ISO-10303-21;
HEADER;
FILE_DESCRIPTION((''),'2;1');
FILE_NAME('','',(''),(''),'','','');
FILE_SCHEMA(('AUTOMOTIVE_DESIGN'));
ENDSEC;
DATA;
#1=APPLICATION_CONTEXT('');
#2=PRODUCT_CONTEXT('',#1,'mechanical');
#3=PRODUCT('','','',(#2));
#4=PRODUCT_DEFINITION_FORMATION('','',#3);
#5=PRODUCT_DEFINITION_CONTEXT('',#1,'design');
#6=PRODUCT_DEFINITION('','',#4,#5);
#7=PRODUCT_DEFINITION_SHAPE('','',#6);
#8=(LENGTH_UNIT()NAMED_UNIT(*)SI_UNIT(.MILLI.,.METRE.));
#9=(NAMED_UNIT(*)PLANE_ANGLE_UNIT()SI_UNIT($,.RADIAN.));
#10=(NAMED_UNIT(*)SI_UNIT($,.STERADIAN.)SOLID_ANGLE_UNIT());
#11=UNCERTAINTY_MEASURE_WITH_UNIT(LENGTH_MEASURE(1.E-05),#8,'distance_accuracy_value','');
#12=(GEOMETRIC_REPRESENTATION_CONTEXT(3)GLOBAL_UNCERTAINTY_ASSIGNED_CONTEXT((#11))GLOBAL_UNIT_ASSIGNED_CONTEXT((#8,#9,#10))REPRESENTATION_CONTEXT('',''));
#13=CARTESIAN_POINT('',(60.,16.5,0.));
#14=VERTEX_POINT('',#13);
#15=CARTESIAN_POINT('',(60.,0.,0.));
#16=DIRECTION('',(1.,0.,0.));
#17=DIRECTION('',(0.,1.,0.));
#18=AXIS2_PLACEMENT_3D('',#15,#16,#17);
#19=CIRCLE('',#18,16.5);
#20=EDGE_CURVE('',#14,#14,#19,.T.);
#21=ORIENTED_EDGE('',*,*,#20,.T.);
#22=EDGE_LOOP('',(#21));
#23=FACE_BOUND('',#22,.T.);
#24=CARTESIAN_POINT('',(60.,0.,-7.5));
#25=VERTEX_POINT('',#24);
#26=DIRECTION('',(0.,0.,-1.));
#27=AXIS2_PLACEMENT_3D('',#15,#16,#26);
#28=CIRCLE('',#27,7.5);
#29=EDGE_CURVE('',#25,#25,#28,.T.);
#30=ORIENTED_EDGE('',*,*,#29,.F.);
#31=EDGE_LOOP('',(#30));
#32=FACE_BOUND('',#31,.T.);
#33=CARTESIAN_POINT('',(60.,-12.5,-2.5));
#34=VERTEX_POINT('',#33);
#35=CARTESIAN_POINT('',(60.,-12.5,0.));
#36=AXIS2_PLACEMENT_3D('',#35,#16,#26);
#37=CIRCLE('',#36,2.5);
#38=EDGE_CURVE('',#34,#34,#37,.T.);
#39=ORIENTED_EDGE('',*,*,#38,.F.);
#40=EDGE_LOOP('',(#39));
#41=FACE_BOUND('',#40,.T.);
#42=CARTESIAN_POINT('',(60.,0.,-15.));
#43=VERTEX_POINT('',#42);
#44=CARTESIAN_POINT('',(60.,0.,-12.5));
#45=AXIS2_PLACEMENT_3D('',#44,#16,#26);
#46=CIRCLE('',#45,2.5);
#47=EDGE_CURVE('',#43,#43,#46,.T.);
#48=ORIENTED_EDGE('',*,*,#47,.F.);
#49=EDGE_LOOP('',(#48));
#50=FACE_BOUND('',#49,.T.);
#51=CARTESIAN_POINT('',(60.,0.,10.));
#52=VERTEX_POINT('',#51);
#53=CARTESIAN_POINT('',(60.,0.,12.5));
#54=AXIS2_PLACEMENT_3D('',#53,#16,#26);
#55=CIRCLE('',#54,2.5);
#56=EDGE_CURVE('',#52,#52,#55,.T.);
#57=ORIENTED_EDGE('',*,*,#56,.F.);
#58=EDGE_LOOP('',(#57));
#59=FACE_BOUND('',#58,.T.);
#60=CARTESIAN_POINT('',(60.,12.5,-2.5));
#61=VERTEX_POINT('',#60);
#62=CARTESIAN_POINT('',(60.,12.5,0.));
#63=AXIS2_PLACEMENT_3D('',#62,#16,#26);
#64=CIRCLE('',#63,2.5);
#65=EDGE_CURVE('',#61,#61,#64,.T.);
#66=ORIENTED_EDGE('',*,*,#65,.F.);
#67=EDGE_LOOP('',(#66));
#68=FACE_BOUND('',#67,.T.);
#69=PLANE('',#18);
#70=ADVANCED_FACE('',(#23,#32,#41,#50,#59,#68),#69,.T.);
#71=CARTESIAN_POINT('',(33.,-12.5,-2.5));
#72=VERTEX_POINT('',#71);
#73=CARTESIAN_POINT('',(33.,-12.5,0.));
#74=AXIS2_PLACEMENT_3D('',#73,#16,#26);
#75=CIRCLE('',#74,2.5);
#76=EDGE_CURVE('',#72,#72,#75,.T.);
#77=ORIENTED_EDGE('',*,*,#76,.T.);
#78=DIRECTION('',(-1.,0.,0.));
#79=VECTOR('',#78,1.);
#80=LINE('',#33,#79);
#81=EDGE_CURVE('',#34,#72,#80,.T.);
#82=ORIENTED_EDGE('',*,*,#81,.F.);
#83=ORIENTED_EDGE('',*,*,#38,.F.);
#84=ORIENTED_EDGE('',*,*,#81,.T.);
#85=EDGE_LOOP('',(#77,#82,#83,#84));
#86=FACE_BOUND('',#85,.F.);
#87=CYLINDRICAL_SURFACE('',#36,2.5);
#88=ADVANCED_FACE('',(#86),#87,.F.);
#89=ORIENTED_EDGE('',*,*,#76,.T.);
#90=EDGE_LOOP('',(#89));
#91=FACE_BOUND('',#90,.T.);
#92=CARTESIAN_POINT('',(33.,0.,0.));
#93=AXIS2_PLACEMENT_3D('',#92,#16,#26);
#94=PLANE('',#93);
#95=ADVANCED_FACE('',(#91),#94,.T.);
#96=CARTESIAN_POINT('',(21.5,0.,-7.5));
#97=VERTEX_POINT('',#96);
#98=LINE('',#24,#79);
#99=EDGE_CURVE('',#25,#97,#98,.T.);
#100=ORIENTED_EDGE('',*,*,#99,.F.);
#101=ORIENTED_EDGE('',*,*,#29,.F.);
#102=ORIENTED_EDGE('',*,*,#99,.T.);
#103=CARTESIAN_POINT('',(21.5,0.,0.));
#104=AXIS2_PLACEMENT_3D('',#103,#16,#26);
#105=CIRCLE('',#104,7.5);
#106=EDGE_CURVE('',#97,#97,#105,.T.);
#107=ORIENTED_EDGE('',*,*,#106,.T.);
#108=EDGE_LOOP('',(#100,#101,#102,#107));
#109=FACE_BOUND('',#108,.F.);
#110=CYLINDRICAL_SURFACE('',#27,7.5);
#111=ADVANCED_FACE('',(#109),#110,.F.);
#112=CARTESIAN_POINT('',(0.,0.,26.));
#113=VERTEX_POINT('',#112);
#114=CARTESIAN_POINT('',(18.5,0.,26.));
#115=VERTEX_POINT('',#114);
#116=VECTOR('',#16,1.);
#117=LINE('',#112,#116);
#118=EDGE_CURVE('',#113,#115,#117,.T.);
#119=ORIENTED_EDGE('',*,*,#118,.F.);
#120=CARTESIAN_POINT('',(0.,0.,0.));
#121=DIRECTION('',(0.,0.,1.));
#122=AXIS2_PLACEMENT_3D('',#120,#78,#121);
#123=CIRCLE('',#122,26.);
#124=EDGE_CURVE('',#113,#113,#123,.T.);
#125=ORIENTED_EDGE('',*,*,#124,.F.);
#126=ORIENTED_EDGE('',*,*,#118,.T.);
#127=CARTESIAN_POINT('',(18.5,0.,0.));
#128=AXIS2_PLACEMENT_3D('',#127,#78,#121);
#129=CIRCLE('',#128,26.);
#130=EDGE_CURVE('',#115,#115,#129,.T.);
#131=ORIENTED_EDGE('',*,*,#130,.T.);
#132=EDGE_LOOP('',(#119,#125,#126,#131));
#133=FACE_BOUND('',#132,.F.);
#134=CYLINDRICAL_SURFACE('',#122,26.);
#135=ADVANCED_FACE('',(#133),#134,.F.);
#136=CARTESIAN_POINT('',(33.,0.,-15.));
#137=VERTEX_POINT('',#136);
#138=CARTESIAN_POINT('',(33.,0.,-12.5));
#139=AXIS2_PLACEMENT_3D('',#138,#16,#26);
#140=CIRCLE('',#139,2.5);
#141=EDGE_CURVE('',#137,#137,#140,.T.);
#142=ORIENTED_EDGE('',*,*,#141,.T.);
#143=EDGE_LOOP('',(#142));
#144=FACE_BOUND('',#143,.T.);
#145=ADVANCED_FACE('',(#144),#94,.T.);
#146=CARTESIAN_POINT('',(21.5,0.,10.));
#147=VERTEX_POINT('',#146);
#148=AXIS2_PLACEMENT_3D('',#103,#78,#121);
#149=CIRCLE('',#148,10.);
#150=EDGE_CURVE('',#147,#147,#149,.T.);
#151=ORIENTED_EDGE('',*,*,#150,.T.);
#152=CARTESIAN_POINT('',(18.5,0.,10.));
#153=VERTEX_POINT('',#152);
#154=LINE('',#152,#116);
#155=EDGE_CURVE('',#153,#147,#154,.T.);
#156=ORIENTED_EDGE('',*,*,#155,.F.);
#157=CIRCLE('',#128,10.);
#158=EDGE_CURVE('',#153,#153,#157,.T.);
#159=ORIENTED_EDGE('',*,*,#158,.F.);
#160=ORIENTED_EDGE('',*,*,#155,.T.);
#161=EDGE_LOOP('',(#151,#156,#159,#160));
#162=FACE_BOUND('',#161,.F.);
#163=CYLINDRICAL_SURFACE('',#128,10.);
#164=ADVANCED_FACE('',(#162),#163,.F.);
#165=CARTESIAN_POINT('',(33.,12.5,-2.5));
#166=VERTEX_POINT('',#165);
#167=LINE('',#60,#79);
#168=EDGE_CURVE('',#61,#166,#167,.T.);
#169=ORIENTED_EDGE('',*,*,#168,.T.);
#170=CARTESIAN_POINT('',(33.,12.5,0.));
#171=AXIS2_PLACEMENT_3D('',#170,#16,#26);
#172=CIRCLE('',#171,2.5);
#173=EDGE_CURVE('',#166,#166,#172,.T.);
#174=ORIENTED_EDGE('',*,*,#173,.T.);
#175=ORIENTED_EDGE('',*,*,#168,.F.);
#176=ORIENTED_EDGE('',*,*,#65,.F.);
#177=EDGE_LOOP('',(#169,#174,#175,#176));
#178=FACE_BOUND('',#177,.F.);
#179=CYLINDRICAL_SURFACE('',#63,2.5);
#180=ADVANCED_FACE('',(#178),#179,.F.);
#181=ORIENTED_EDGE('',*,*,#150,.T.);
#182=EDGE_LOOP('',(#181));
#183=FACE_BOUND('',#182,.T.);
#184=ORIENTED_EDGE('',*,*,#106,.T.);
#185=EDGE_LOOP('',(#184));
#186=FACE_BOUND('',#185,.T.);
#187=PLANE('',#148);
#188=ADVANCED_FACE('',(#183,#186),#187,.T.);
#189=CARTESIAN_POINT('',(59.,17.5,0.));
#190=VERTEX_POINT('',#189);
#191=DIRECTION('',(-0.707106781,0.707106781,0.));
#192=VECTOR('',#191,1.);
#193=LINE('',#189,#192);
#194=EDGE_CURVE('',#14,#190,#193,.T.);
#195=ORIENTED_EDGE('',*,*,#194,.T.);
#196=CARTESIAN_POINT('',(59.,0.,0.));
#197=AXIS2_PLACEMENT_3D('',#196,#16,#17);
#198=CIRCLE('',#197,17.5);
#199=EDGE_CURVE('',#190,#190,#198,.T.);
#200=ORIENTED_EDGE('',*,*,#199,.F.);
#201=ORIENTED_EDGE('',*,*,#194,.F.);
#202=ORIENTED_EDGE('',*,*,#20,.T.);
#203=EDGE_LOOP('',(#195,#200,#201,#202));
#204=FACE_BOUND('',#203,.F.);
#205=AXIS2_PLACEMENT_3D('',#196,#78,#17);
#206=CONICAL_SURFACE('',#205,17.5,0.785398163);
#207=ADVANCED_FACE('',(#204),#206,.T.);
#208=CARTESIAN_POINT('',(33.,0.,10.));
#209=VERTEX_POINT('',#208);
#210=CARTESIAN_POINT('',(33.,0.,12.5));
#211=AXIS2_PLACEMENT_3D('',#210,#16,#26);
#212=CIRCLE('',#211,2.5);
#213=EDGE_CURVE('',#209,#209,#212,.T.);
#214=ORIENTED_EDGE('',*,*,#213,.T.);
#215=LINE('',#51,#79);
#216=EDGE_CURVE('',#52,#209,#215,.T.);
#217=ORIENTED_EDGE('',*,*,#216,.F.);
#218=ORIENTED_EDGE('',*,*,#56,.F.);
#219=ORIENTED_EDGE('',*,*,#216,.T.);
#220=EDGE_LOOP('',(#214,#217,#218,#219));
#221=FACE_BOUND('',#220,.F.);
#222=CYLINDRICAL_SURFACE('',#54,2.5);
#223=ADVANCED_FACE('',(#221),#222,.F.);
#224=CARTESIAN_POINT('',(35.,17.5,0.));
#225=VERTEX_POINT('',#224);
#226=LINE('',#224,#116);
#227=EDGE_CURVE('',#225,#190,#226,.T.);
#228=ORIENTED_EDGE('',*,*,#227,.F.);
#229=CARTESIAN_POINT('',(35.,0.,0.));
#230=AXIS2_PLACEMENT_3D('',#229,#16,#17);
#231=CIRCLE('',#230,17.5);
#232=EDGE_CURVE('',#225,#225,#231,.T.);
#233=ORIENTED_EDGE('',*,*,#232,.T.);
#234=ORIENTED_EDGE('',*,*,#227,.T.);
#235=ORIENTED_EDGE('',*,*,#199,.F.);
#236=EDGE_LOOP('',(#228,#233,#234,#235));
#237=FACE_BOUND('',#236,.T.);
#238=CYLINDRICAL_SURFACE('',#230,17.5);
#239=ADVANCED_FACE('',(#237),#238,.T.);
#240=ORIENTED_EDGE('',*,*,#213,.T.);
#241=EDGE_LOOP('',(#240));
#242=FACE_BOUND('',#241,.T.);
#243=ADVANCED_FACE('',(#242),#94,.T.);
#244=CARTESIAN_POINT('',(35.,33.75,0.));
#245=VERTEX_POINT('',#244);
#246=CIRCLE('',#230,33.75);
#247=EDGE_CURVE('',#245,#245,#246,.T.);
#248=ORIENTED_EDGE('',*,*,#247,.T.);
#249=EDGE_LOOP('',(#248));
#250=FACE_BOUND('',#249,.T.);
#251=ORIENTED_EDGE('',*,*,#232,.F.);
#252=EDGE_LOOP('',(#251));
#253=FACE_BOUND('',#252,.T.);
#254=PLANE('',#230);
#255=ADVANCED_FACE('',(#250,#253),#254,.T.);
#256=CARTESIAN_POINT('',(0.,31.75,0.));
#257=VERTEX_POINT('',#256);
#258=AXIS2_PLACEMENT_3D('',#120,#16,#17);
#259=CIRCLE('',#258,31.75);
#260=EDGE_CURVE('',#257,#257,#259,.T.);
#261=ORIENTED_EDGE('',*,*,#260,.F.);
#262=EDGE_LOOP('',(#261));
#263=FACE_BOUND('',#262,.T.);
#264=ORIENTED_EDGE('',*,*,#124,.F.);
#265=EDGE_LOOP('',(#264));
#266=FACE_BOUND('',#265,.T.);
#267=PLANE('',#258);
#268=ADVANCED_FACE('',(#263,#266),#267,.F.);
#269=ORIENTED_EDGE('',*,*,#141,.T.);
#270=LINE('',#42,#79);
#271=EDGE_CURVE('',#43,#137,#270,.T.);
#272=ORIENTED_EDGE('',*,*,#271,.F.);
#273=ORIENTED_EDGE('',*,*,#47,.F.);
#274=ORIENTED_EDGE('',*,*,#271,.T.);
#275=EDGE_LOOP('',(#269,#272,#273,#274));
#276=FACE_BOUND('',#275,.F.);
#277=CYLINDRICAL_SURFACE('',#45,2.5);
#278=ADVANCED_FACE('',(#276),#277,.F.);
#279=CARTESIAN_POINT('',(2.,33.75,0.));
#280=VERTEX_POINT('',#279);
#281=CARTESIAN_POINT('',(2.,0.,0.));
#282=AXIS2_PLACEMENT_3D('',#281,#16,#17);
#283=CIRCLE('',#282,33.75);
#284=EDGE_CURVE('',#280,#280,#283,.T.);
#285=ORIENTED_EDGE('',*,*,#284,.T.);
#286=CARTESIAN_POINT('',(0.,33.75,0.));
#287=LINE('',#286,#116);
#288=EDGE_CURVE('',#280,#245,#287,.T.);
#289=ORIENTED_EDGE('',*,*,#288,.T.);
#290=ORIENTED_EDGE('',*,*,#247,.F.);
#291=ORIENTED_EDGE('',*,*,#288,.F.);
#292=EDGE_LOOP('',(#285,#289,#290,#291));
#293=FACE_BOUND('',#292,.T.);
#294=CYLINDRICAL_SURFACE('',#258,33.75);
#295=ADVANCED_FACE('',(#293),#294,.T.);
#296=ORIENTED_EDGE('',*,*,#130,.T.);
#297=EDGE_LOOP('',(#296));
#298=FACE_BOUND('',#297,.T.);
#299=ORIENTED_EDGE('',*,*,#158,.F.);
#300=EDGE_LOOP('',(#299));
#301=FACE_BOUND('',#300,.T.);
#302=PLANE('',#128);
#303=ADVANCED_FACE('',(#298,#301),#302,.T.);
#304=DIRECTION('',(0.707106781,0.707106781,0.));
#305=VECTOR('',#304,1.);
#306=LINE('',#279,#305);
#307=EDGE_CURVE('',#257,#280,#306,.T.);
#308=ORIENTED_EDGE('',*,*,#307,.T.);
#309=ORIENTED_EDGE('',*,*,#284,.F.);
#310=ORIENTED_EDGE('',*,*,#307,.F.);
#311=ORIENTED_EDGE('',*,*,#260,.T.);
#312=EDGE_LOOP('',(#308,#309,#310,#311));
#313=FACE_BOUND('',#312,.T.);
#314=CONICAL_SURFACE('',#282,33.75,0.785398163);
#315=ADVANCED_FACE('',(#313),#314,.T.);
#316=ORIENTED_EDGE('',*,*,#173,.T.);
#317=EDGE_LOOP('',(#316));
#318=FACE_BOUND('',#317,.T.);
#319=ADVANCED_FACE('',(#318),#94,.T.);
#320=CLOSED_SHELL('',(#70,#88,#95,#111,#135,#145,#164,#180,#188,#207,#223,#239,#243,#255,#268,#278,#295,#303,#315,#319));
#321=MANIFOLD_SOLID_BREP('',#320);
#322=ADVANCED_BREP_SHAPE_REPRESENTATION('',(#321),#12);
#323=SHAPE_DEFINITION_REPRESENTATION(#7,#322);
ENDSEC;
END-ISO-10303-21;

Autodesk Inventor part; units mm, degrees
ref_plane "YZ Plane" through (0, 0, 0) normal (1, 0, 0) x (0, 1, 0)
ref_plane "XZ Plane" through (0, 0, 0) normal (0, 1, 0) x (-1, 0, 0)
ref_plane "XY Plane" through (0, 0, 0) normal (0, 0, 1) x (1, 0, 0)
sketch "Sketch1" plane through (0, 0, 0) normal (0, 0, 1) x (1, 0, 0)
  line L0 (0, 0) -> (0, 33.75)
  line L1 (0, 33.75) -> (35, 33.75)
  line L2 (35, 17.5) -> (60, 17.5)
  line L3 (35, 33.75) -> (35, 17.5)
  line L4 (60, 17.5) -> (60, 0)
  line L5 (0, 0) -> (60, 0)
  dimension "d0" = 33.75
  dimension "d1" = 35
  dimension "d3" = 25
revolve "Revolution1" add sketch "Sketch1" angle 360 about axis through (0, 0, 0) along (1, 0, 0)
thread "Thread1" size "M20x2.5" class "6g" standard "ISO Metric profile" full length
sketch "Sketch2" plane through (60, 0, 0) normal (1, 0, 0) x (0, 0, -1)
  circle A0 centre (0, 0) radius 7.5
  dimension "d7" = 15
extrude "Extrusion1" cut sketch "Sketch2" against normal through all
chamfer "Chamfer1" distance 2 angle 45 1 edges at (0, -33.75, 0)
chamfer "Chamfer2" distance 1 angle 45 1 edges at (60, -17.5, 0)
sketch "Sketch3" plane through (0, 0, 0) normal (-1, 0, 0) x (0, 0, 1)
  circle A0 centre (0, 0) radius 26
  dimension "d16" = 52
extrude "Extrusion2" cut sketch "Sketch3" against normal blind 18.5
sketch "Sketch4" plane through (18.5, 0, 0) normal (-1, 0, 0) x (0, 0, 1)
  circle A0 centre (0, 0) radius 10
  dimension "d19" = 20
extrude "Extrusion3" cut sketch "Sketch4" against normal blind 3
sketch "Sketch5" plane through (60, 0, 0) normal (1, 0, 0) x (0, 0, -1)
  circle A0 centre (0, 0) radius 7.5 projected
  circle A1 centre (0, 12.5) radius 2.5
  circle A2 centre (12.5, 0) radius 2.5
  circle A3 centre (0, -12.5) radius 2.5
  circle A4 centre (-12.5, 0) radius 2.5
  dimension "d26" = 5
  dimension "d27" = 5
  dimension "d28" = 5
  dimension "d29" = 5
extrude "Extrusion4" cut sketch "Sketch5" against normal blind 27 contours A1 | A2 | A3 | A4
thread "Thread2" size "M5x0.8" class "6H" standard "ISO Metric profile" full length
thread "Thread3" size "M5x0.8" class "6H" standard "ISO Metric profile" full length
thread "Thread4" size "M5x0.8" class "6H" standard "ISO Metric profile" full length
thread "Thread5" size "M5x0.8" class "6H" standard "ISO Metric profile" full length
properties part number "eixo parafuso"
